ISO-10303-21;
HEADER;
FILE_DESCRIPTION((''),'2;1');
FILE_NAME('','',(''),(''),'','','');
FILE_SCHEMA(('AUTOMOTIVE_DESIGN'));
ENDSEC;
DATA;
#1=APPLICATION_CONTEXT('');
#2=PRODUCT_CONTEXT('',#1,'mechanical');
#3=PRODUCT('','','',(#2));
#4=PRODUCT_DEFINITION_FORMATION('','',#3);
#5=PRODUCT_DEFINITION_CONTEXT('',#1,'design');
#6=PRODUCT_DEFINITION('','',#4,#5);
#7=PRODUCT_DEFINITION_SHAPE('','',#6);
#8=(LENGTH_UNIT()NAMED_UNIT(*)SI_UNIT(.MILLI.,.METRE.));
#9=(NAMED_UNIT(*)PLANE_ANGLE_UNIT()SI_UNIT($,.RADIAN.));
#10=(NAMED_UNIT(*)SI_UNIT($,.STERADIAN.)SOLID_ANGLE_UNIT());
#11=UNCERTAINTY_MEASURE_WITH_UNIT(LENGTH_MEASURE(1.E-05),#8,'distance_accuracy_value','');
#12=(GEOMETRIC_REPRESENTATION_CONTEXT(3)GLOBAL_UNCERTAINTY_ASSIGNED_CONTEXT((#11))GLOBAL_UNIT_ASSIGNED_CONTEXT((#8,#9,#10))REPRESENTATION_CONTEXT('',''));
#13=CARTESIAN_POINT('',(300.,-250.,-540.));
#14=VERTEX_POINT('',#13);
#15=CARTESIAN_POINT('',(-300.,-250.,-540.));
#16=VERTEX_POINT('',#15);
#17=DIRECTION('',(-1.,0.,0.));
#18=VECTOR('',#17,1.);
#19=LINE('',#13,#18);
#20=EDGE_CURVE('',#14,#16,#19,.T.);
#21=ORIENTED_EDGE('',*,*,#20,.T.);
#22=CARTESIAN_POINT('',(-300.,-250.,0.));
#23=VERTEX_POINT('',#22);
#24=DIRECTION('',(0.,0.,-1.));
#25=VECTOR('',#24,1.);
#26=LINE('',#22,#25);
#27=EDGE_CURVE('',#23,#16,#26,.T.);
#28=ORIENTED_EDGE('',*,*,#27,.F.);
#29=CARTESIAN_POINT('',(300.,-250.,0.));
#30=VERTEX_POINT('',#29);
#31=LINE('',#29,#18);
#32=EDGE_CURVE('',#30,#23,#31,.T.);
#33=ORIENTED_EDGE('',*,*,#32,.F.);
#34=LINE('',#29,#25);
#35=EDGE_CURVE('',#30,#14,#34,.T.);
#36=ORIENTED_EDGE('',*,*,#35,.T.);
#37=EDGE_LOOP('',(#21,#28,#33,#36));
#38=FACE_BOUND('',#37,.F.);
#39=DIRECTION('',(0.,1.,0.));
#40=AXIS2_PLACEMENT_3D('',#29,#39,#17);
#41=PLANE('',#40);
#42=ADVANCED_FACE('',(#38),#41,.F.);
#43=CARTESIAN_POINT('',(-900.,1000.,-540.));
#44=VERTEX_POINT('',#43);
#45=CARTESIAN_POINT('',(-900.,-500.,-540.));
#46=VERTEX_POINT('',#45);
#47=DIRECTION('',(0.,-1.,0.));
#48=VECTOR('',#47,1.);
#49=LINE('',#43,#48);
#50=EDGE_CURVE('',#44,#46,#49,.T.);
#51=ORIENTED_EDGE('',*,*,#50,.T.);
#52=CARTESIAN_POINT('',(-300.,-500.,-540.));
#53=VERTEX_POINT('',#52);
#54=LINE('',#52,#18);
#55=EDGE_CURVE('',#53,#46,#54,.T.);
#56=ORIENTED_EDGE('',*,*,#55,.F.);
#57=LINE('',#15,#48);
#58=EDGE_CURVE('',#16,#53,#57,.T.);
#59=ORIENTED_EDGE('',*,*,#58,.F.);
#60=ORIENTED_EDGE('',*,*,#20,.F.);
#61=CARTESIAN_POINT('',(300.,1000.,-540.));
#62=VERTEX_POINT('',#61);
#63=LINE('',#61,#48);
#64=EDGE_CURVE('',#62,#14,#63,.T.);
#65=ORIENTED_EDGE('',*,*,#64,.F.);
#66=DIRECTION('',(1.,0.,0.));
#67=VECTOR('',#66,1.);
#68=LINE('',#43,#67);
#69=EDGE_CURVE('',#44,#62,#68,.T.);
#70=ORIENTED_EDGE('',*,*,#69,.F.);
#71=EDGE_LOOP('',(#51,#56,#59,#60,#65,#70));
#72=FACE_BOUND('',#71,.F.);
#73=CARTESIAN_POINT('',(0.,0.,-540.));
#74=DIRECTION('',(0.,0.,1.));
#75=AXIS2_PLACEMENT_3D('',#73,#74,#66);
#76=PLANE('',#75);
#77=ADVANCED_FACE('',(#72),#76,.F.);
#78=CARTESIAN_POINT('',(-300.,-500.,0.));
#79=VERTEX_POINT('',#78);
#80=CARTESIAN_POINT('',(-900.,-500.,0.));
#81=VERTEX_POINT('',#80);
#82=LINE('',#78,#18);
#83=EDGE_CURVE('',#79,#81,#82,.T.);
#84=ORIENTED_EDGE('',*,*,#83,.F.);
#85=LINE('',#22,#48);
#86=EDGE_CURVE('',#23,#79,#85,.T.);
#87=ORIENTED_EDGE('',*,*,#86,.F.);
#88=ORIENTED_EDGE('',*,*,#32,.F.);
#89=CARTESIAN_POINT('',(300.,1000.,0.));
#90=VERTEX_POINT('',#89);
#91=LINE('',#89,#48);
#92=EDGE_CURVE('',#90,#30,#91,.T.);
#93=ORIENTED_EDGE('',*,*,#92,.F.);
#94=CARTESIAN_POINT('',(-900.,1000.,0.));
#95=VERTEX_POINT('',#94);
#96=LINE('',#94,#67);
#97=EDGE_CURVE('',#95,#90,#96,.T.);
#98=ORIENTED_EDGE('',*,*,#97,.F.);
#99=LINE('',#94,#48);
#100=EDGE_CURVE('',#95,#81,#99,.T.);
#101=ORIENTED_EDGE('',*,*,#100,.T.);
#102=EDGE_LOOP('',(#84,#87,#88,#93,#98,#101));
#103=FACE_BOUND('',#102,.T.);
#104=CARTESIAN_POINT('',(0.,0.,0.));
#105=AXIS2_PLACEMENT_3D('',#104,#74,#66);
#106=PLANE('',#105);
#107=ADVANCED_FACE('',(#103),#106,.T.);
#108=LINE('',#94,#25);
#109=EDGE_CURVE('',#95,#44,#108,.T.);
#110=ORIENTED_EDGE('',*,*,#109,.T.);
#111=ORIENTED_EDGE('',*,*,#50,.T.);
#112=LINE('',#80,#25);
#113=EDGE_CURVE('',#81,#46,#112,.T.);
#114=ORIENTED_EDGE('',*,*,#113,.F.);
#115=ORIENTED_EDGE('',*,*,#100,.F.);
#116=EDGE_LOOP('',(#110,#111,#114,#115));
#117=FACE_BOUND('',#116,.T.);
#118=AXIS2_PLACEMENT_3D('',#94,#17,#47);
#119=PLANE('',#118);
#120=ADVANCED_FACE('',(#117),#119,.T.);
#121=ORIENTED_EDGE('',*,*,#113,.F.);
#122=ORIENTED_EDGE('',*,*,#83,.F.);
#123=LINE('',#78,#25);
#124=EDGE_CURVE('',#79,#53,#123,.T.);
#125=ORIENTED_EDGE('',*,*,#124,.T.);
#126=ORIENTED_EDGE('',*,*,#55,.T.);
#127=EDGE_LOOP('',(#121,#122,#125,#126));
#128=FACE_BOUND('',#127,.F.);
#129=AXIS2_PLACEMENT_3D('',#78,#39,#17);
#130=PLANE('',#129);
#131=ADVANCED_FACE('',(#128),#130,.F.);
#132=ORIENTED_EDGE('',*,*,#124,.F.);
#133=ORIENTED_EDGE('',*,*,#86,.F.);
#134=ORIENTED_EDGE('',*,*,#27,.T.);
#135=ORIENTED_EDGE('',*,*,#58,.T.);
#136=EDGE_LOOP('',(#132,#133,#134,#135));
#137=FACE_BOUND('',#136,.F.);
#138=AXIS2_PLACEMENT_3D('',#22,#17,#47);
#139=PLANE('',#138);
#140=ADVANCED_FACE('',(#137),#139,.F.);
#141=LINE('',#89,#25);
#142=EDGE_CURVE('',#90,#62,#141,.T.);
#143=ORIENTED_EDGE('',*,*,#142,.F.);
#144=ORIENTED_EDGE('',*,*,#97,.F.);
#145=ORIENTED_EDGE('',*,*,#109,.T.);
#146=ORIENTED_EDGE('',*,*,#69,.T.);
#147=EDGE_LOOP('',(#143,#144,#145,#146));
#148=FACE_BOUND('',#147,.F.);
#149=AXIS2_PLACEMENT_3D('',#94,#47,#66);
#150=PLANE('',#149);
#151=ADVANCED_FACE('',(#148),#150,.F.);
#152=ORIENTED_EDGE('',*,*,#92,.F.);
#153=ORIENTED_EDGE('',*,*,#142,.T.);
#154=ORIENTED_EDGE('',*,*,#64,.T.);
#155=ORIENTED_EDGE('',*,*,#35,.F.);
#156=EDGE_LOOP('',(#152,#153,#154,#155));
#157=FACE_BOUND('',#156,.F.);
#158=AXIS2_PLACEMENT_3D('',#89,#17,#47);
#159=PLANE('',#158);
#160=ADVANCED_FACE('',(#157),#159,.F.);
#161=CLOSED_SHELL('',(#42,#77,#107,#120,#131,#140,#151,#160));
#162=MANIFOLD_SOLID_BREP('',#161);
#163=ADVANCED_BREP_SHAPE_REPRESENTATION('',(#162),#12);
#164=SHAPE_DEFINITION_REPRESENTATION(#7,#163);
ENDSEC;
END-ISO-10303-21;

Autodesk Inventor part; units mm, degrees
ref_plane "YZ Plane" through (0, 0, 0) normal (1, 0, 0) x (0, 1, 0)
ref_plane "XZ Plane" through (0, 0, 0) normal (0, 1, 0) x (-1, 0, 0)
ref_plane "XY Plane" through (0, 0, 0) normal (0, 0, 1) x (1, 0, 0)
ref_plane "Work Plane1" through (0, 0, 0) normal (0, 0, 1) x (1, 0, 0)
sketch "Sketch2" plane through (0, 0, 0) normal (0, 0, 1) x (1, 0, 0)
  line L0 (-900, -1000) -> (900, -1000) projected
  line L1 (900, -1000) -> (900, 1000) projected
  line L2 (900, 1000) -> (-900, 1000) projected
  line L3 (-900, 1000) -> (-900, -1000) projected
  line L4 (900, -1000) -> (-900, -1000) projected
  line L5 (-900, -1000) -> (-900, -500)
  line L6 (-900, -1000) -> (-900, 1000) projected
  line L7 (-300, -500) -> (-300, -250)
  line L8 (-300, -250) -> (300, -250)
  line L9 (300, -250) -> (300, 1000)
  line L10 (-900, 1000) -> (-900, -500)
  line L11 (-300, -500) -> (-900, -500)
  point P0 (0, 0)
  point P1 (-300, -1000)
  point P2 (300, -1000)
  dimension "d4" = 600
  dimension "d5" = 600
  dimension "d6" = 600
  dimension "d7" = 500
  dimension "d8" = 1200
  dimension "d9" = 750
  dimension "d10" = 1500
extrude "Extrusion2" [suppressed]
ref_plane "Work Plane2" through (0, 0, 0) normal (0, 0, 1) x (1, 0, 0)
sketch "Sketch4" plane through (0, 0, 0) normal (0, 0, 1) x (1, 0, 0)
  line L0 (-300, -500) -> (-900, -500) projected
  line L1 (-900, -500) -> (-900, -1000) projected
  line L2 (-900, -1000) -> (900, -1000) projected
  line L3 (900, -1000) -> (900, 1000) projected
  line L4 (900, 1000) -> (300, 1000) projected
  line L5 (300, 1000) -> (300, -250) projected
  line L6 (300, -250) -> (-300, -250) projected
  line L7 (-300, -250) -> (-300, -500) projected
  line L8 (300, 1000) -> (300, -250)
  line L9 (300, -250) -> (-300, -250)
  line L10 (-300, -500) -> (-900, -500)
  line L11 (-300, -500) -> (-300, -250) projected
  line L12 (-900, 1000) -> (300, 1000)
  line L13 (-900, 1000) -> (-900, -500)
  point P0 (0, 0)
extrude "Extrusion4" add sketch "Sketch4" against normal blind 540 contours L0 L13 L12 L5 L6 L7
properties part number "data" material "ABS Plastic"
